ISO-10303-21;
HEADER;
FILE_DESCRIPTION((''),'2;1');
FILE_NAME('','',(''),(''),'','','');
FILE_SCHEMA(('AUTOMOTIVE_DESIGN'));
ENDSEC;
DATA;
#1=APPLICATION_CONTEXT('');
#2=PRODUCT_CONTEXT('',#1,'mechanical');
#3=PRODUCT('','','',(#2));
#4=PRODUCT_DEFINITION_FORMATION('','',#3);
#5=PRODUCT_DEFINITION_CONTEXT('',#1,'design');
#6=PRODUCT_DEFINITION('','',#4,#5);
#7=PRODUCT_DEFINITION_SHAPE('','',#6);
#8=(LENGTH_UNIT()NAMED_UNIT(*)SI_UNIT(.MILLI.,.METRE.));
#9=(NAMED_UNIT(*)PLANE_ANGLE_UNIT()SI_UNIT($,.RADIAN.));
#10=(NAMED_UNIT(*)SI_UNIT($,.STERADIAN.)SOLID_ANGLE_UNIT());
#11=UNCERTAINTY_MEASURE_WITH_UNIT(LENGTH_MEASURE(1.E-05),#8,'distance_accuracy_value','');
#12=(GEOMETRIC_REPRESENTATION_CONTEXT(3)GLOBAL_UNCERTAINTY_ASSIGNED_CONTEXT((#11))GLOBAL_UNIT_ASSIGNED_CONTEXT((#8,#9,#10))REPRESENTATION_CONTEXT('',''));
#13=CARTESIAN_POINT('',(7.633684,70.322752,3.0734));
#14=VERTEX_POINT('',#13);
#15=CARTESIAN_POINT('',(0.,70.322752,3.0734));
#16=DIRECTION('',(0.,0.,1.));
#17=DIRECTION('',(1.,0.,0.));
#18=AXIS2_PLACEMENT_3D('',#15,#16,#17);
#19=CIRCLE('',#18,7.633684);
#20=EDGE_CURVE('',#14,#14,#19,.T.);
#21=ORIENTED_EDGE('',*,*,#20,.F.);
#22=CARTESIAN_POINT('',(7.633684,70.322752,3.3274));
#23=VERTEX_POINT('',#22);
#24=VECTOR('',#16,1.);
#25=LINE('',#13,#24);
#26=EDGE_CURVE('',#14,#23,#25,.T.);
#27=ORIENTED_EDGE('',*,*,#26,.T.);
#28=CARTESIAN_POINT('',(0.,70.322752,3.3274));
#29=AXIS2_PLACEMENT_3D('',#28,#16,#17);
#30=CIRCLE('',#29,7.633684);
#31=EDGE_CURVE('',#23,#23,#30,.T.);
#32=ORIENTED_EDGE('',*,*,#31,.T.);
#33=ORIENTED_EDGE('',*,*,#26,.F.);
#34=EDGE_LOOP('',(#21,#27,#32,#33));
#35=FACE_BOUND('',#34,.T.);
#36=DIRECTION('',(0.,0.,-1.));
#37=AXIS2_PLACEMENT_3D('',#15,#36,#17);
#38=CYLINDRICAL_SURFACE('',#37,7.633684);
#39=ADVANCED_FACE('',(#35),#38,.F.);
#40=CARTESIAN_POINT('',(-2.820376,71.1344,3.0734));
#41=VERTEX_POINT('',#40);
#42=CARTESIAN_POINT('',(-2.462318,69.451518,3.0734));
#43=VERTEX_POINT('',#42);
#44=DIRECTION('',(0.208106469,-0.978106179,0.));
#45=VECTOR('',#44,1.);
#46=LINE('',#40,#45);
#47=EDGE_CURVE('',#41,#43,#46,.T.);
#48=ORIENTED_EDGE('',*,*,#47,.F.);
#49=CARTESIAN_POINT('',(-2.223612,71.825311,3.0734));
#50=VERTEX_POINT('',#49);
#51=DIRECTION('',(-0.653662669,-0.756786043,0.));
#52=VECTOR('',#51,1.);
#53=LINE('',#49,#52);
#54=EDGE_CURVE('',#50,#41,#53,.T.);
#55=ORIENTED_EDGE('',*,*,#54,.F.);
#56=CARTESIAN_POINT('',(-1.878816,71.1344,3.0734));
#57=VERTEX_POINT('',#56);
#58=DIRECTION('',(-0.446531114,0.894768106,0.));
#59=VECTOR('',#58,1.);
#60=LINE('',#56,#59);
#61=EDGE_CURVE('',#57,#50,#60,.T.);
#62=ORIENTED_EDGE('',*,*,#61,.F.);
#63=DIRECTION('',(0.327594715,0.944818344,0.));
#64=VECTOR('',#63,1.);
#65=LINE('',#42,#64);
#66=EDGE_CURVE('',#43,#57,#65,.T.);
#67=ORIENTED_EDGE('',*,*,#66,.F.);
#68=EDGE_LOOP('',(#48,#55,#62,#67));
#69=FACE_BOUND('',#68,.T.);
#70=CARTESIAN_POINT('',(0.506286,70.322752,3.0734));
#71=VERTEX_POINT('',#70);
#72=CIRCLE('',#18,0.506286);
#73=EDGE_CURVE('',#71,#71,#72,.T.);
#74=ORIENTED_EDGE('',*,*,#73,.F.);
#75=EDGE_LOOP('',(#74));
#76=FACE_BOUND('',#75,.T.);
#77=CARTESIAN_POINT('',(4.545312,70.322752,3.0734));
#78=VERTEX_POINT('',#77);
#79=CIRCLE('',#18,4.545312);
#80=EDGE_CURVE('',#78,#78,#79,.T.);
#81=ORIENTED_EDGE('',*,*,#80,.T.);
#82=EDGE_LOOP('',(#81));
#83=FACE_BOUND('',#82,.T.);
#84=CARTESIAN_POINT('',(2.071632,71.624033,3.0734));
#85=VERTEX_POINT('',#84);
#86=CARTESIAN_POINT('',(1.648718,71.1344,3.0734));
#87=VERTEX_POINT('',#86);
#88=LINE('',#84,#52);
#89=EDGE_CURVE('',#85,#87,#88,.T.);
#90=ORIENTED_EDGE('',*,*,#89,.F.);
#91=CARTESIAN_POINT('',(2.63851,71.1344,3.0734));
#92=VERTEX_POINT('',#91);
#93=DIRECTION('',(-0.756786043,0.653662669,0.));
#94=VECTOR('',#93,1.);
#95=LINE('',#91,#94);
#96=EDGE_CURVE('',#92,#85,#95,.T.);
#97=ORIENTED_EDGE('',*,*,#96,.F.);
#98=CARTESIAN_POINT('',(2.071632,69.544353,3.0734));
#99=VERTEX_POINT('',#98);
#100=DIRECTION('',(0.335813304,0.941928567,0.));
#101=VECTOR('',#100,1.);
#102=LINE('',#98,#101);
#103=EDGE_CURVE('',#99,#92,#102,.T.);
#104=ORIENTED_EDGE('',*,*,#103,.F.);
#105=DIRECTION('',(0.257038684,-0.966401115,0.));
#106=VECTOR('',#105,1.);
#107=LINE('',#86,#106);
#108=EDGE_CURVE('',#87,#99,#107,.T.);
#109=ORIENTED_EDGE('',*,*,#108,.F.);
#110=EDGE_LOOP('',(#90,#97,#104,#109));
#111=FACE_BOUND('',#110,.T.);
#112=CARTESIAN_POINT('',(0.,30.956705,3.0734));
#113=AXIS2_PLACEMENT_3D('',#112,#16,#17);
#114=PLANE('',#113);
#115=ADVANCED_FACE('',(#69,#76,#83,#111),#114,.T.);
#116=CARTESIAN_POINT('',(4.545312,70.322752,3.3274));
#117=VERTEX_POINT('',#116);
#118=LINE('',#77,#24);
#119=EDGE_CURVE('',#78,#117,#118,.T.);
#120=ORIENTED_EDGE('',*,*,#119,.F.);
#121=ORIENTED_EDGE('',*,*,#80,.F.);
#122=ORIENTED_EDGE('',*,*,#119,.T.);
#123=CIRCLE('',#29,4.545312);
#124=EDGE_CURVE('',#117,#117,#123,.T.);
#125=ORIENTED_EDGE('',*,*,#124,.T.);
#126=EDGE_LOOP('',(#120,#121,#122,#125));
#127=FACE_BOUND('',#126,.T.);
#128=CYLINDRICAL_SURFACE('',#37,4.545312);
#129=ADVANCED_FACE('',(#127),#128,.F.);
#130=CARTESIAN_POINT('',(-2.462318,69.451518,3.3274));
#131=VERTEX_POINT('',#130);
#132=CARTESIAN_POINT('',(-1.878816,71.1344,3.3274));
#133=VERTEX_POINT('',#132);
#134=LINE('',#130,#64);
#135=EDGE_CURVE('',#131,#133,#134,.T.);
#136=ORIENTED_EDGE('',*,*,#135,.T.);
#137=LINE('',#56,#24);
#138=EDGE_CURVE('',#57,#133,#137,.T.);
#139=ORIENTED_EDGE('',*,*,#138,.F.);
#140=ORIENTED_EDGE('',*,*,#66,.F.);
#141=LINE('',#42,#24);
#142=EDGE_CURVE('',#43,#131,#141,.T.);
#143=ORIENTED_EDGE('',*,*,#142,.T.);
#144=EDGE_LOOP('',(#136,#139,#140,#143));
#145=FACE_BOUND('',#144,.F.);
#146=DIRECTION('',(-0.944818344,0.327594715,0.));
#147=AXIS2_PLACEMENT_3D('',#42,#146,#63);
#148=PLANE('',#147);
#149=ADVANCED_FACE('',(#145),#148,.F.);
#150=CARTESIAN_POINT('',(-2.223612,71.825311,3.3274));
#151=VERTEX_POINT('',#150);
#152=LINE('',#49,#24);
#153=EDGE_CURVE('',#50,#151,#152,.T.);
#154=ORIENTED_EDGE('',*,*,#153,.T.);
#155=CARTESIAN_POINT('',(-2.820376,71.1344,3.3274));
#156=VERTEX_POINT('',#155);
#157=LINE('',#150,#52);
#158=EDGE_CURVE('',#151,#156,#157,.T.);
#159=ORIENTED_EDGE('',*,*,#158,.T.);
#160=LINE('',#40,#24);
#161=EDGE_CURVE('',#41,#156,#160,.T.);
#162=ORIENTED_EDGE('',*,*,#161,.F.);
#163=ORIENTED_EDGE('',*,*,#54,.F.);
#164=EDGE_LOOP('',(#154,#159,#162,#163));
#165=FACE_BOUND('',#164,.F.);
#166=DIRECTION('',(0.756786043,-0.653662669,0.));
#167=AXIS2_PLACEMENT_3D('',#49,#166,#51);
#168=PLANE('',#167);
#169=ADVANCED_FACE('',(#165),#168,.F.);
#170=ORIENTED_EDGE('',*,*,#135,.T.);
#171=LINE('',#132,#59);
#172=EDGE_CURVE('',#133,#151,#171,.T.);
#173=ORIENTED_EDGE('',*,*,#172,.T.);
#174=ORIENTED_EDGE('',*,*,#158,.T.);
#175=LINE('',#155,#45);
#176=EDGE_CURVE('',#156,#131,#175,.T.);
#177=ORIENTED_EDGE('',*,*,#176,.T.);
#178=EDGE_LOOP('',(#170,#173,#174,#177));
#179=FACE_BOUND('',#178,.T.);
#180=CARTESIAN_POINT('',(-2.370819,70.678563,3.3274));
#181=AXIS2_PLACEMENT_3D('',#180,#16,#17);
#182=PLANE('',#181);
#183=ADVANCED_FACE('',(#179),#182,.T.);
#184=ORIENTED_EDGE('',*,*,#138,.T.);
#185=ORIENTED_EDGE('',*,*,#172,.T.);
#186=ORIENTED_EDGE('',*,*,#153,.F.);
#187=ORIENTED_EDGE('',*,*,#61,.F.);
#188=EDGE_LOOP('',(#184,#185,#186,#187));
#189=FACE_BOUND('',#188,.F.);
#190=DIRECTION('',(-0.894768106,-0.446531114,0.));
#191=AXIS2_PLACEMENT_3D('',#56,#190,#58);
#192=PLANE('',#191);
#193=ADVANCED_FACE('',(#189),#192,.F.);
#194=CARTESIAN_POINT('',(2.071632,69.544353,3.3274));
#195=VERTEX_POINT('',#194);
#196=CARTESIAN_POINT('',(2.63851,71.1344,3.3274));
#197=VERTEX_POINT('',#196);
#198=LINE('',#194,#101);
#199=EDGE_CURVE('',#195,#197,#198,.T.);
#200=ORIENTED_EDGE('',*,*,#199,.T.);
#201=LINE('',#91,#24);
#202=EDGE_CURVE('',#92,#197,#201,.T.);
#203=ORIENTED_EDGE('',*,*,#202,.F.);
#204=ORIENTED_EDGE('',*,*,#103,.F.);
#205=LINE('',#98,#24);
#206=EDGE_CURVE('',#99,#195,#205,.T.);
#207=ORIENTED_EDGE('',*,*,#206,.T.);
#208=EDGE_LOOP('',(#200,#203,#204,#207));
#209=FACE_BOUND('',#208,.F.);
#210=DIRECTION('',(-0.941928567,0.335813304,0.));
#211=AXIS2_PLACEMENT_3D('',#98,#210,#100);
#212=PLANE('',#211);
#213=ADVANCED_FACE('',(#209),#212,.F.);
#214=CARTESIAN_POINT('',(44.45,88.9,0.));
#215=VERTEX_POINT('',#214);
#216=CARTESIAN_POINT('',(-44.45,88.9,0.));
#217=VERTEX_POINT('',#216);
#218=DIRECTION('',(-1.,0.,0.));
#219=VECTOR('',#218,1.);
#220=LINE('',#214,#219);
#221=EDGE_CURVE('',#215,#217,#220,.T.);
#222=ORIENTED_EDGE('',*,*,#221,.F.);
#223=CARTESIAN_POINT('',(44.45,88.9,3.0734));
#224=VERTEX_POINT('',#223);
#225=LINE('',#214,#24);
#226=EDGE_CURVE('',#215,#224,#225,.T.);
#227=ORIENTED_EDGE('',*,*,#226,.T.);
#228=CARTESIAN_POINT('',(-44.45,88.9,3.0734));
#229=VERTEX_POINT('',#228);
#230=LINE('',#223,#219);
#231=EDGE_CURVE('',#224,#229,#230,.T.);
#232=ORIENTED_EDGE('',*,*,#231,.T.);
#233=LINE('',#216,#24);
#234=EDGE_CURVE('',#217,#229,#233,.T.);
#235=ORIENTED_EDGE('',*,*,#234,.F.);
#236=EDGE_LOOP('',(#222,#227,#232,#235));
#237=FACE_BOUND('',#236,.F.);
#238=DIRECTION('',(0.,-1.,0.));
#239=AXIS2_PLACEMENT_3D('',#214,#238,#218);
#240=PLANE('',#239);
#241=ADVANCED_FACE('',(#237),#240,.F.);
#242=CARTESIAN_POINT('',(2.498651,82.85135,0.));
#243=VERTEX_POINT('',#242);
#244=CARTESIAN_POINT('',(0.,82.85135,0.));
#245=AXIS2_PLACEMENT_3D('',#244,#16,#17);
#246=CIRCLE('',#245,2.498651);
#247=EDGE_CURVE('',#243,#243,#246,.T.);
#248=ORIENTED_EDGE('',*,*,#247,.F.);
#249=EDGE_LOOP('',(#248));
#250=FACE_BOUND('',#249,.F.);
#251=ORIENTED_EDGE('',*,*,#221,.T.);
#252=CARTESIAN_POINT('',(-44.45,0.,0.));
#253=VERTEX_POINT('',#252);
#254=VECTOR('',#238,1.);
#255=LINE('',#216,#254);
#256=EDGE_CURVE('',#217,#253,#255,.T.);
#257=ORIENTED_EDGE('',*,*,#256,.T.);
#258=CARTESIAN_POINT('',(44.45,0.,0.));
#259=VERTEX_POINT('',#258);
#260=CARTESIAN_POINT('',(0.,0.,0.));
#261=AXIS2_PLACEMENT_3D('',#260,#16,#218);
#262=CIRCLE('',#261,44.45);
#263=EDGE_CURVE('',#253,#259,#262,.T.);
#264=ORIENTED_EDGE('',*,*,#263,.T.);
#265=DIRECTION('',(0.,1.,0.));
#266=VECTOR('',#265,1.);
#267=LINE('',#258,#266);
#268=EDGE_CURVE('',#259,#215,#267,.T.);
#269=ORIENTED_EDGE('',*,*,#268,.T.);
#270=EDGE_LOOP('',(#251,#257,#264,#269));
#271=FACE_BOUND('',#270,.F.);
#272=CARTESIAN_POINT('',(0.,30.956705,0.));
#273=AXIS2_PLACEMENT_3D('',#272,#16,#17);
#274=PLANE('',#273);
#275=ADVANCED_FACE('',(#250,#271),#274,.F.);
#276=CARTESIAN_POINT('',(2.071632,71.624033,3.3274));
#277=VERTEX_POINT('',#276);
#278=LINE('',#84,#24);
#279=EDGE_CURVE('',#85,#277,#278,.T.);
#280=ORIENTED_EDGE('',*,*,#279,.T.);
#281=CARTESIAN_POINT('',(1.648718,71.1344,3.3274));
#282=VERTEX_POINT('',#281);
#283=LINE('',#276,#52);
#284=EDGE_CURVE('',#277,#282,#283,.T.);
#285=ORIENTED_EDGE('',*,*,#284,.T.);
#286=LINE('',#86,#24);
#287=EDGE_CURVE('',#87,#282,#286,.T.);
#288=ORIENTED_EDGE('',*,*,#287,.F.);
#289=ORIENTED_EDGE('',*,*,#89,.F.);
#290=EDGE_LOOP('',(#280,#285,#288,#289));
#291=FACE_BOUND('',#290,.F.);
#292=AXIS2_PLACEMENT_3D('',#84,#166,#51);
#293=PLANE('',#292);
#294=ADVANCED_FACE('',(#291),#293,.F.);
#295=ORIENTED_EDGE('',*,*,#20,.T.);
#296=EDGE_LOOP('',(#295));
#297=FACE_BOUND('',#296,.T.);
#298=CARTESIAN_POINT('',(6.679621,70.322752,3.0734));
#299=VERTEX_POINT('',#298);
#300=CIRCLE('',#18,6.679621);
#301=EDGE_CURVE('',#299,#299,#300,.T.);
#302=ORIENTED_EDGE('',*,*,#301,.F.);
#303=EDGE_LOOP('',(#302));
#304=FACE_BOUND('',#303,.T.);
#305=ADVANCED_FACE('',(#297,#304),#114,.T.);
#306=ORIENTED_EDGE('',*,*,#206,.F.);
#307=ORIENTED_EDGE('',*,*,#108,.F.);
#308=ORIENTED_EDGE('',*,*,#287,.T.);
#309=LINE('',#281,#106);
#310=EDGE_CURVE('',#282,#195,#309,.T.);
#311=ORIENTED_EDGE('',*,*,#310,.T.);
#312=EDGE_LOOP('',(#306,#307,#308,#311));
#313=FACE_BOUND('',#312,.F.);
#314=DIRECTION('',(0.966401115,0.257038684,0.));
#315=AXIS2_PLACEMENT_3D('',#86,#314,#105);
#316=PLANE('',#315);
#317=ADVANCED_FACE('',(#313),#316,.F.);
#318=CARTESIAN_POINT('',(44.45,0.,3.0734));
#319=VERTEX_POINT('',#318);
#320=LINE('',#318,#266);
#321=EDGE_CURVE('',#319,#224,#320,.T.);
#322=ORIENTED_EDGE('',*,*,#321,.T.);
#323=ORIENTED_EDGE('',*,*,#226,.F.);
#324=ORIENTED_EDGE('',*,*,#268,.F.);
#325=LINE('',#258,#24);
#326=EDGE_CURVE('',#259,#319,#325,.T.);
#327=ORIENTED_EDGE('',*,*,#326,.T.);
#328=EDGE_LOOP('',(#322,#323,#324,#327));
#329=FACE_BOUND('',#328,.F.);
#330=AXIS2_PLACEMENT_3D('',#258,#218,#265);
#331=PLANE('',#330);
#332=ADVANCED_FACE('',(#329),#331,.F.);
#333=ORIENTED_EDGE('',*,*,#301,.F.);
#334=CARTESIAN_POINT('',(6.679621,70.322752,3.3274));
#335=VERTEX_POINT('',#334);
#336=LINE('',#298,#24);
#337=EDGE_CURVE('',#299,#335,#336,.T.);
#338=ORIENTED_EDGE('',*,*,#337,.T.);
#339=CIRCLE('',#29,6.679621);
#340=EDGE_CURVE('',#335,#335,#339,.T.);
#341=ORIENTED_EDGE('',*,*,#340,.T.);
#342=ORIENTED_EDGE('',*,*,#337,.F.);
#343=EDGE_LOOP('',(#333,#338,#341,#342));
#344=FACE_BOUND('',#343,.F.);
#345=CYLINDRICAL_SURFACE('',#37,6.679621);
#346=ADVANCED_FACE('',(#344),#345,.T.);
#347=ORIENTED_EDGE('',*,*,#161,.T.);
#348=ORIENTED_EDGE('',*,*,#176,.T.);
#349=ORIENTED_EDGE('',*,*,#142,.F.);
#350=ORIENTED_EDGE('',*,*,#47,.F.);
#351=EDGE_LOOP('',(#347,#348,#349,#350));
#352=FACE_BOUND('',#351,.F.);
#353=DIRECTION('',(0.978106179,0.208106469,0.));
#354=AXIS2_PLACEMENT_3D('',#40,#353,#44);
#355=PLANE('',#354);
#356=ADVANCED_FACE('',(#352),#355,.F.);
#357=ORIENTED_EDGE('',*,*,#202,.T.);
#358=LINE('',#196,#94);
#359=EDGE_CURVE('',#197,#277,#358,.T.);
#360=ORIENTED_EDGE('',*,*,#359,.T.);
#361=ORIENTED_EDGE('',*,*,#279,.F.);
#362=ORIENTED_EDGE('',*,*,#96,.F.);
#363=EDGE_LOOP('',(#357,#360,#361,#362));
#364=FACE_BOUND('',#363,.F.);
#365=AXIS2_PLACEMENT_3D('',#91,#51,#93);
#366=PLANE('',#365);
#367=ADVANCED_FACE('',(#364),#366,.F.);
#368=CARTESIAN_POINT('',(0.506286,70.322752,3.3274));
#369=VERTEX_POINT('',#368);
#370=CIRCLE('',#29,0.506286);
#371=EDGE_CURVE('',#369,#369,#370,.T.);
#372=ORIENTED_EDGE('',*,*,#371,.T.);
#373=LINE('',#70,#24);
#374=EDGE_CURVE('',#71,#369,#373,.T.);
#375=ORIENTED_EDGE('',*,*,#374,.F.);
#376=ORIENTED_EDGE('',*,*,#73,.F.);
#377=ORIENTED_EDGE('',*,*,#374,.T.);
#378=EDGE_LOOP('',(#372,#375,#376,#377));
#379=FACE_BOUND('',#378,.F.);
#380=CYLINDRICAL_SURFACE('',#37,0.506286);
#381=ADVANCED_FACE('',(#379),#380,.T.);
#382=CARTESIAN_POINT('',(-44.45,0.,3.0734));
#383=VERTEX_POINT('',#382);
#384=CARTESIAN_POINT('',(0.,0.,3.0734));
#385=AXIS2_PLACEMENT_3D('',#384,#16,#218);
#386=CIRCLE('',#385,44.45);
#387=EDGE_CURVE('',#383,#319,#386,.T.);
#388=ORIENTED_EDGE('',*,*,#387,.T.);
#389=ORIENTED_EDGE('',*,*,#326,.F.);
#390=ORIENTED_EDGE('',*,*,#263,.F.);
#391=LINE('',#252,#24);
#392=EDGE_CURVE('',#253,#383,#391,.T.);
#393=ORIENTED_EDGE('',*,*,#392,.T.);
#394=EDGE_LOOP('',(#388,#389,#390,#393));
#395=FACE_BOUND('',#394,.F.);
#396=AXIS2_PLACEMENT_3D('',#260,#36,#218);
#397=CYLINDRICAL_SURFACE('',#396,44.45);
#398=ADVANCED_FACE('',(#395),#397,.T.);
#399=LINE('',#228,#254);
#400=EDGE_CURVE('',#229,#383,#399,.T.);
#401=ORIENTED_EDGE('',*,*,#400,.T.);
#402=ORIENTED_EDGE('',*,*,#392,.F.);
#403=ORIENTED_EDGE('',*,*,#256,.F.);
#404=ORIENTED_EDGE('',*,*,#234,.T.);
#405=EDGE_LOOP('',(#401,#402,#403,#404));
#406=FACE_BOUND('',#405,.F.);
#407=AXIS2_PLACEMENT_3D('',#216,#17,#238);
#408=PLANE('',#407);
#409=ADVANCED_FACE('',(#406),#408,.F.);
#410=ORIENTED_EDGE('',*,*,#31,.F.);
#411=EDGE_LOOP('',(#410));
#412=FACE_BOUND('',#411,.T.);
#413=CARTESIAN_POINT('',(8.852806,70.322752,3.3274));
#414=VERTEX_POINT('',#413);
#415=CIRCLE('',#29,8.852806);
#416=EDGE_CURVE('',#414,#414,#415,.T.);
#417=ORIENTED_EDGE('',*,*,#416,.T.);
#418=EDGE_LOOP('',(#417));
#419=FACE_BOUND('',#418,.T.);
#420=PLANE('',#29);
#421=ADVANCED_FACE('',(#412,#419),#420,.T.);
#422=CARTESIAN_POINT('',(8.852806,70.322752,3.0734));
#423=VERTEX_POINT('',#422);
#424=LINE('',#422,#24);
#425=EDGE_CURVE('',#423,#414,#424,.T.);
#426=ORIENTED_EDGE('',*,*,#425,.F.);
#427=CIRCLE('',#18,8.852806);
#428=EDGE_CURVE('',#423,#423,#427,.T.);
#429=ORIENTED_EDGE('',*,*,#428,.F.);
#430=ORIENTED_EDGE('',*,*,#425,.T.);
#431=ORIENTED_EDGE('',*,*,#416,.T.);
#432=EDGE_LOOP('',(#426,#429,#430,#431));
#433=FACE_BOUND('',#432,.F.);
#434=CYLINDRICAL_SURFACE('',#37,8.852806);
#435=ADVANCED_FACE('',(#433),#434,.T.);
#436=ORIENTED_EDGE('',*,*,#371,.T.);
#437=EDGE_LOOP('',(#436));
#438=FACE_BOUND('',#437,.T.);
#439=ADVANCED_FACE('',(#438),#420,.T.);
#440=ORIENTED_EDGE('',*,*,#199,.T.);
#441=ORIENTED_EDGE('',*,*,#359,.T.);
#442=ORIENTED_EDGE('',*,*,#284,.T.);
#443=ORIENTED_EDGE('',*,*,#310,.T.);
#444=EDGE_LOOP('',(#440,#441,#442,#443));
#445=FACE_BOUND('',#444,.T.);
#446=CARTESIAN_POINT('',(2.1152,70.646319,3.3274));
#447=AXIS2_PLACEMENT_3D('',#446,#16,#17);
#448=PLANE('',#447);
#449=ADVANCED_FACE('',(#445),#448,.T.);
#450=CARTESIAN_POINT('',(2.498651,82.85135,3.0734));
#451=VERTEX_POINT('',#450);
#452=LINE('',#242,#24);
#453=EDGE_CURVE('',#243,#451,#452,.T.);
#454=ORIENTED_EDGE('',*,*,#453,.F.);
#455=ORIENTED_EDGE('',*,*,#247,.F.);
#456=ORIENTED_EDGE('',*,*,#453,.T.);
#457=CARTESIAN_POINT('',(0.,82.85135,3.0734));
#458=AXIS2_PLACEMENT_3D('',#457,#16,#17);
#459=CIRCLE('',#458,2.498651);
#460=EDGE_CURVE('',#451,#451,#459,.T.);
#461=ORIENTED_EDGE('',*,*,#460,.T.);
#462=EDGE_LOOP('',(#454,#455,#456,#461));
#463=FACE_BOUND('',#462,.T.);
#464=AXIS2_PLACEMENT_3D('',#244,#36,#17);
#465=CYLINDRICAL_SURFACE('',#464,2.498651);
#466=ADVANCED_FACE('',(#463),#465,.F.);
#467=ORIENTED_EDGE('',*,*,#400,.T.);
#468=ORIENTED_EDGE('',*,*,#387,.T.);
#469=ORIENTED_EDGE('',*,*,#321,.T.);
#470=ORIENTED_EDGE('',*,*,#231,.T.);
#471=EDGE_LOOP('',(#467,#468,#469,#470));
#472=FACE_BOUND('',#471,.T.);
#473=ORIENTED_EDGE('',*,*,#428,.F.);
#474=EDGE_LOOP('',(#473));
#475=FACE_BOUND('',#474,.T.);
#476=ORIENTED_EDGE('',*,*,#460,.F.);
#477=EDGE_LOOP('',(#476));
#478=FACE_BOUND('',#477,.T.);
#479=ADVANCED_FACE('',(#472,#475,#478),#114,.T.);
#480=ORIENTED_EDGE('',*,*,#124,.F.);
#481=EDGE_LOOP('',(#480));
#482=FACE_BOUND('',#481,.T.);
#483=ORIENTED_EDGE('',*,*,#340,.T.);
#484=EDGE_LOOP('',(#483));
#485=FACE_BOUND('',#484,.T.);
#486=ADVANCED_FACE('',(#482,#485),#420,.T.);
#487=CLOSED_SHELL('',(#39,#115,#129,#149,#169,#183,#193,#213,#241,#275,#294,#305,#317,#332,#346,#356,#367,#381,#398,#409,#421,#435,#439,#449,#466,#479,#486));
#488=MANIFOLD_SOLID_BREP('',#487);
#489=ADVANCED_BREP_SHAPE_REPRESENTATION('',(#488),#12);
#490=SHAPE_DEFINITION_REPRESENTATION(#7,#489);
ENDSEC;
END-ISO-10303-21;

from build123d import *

# Parameters (mm, degrees)
F0_R     = 2.4986506911
F1_DEPTH = 3.0734
F2_R     = 8.8528062314
F2_R_2   = 7.6336843155
F2_R_3   = 6.679620884
F2_R_4   = 4.5453115006
F2_R_5   = 0.5062861641
F3_DEPTH = 0.254


with BuildPart() as f1:
    # F0 (on Top) → F1 (new body)
    with BuildSketch(Plane.XY):
        with BuildLine():
            Line((-44.45, 88.9), (-44.45, 0))
            ThreePointArc((-44.45, 0), (0, -44.45), (44.45, 0))
            Line((44.45, 0), (44.45, 88.9))
            Line((44.45, 88.9), (-44.45, 88.9))
        make_face()
        with Locations((0, 82.8513503075)):
            Circle(F0_R, mode=Mode.SUBTRACT)
    extrude(amount=F1_DEPTH)

    # F2 (on face) → F3 (join)
    with BuildSketch(Plane.XY.offset(3.0734)):
        with Locations((0, 70.3227519989)):
            Circle(F2_R)
        with Locations((0, 70.3227519989)):
            Circle(F2_R_2, mode=Mode.SUBTRACT)
        with Locations((0, 70.3227519989)):
            Circle(F2_R_3)
        with Locations((0, 70.3227519989)):
            Circle(F2_R_4, mode=Mode.SUBTRACT)
        Polygon((-2.223612275, 71.8253105879), (-2.8203756083, 71.1344004551), (-2.4623177014, 69.4515183568), (-1.8788158195, 71.1344004551), align=None)
        Polygon((2.0716317148, 71.6240334723), (1.6487184912, 71.1344004551), (2.0716317148, 69.544352591), (2.6385103986, 71.1344004551), align=None)
        with Locations((0, 70.3227519989)):
            Circle(F2_R_5)
    extrude(amount=F3_DEPTH)


solid = f1.part
